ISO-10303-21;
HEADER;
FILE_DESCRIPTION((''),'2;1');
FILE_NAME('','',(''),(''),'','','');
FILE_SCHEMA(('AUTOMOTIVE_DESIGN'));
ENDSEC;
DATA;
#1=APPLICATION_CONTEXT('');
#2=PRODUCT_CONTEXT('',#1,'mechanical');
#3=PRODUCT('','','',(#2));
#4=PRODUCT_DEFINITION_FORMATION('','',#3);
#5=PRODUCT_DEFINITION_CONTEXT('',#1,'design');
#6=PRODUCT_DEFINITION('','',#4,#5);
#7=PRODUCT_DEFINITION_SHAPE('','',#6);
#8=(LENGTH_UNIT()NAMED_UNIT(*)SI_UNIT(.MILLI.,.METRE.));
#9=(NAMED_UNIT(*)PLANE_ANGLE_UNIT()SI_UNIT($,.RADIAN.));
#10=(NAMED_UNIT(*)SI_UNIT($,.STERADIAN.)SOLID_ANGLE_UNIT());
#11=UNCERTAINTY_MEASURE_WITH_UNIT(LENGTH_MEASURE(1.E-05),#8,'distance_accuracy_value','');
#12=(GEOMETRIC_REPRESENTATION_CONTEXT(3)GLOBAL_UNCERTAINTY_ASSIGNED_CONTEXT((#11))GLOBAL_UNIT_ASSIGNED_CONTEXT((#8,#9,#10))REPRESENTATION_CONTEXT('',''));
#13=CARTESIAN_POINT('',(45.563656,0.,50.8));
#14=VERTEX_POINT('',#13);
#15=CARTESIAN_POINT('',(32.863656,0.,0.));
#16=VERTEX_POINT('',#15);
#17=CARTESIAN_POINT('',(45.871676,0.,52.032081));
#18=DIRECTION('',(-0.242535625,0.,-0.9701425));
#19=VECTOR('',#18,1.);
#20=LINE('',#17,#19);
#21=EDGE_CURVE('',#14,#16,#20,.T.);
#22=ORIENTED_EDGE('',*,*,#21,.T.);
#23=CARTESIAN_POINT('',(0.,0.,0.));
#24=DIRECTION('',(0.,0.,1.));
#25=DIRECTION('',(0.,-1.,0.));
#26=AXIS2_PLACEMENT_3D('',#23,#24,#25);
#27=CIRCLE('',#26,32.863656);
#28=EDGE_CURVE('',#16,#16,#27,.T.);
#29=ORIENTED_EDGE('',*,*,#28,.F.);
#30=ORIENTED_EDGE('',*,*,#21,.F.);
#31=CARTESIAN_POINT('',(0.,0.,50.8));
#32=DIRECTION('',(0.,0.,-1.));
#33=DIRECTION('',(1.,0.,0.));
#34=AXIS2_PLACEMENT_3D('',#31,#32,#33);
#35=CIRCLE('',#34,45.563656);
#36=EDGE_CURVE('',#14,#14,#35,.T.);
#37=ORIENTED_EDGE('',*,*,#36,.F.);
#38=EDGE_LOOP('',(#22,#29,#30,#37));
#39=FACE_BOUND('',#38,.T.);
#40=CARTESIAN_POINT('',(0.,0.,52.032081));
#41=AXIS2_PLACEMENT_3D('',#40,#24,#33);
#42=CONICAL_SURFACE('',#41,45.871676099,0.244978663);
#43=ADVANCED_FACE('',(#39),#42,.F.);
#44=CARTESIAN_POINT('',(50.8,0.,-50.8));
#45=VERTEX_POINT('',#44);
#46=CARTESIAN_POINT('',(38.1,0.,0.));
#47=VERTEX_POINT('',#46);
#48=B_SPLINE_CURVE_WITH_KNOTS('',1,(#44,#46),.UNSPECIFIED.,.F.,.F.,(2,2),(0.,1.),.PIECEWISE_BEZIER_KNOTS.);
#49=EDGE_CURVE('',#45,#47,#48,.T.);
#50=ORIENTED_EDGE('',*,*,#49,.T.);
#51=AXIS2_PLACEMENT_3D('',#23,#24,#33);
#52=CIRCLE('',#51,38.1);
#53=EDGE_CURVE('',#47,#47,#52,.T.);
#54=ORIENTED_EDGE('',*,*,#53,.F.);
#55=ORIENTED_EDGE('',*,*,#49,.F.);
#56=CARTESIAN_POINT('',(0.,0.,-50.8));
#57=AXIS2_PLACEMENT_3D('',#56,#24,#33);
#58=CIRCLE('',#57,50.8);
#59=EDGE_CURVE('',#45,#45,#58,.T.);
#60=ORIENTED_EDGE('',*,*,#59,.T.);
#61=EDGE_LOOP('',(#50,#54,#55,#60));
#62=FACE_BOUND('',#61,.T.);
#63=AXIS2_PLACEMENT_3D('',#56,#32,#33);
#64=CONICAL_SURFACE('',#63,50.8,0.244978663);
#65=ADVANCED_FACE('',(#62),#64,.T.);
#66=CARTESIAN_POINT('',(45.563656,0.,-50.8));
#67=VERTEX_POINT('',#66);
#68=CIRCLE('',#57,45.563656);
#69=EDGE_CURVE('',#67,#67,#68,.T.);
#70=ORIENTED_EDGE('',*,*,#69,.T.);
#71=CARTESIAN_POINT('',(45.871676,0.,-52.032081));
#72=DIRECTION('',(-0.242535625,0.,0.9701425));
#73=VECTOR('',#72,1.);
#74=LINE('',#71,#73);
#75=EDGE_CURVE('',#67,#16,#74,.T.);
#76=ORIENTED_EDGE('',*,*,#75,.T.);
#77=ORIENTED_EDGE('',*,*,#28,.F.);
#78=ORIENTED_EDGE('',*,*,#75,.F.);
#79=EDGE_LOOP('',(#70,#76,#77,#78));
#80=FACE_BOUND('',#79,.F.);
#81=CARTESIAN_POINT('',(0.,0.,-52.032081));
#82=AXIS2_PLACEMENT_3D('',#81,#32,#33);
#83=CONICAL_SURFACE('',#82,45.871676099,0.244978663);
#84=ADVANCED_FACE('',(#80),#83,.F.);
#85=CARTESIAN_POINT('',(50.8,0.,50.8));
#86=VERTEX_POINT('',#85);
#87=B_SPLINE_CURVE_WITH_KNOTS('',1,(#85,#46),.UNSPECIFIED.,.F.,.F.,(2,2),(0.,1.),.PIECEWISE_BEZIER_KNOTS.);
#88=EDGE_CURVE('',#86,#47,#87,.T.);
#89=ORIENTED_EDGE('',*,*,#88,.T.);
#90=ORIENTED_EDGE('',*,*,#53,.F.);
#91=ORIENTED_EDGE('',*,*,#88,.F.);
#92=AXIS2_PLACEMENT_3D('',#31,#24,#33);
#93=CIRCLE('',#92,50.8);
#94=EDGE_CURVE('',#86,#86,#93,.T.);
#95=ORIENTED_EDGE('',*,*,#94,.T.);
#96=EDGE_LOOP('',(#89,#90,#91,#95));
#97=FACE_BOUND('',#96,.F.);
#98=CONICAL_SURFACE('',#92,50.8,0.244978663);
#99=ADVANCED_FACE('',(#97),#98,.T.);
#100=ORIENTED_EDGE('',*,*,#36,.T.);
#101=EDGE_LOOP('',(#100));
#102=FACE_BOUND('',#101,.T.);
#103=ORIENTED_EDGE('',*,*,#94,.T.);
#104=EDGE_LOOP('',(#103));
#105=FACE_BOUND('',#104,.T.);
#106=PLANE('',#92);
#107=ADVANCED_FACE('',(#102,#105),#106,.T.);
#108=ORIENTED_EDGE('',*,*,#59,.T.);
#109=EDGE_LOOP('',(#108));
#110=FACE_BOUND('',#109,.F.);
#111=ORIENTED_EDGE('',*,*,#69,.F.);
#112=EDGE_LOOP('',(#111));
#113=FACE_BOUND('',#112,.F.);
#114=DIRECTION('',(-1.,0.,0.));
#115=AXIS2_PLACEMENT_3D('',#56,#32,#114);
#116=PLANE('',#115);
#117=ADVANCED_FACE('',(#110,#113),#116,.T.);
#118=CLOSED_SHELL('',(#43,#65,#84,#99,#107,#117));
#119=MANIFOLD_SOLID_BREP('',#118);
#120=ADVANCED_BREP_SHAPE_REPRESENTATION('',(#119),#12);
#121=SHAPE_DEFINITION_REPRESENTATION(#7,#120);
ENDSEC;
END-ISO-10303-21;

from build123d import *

# Parameters (mm, degrees)
F2_R = 50.8
F0_R = 38.1
F5_T = -5.08


with BuildPart() as f3:
    # F2 (on offset) → F3 section 0
    with BuildSketch(Plane.XY.offset(50.8)):
        Circle(F2_R)
    # F0 (on Top) → F3 section 1
    with BuildSketch(Plane.XY):
        Circle(F0_R)
    loft()

    # F4: F3 across plane


with BuildPart() as f3_1:
    add(f3.part)
    add(f3.part.mirror(Plane.XY))

    # F5
    f5_openings = [f3_1.faces().sort_by_distance(p)[0] for p in [
        (0, 0, -50.8),
        (0, 0, 50.8),
    ]]
    offset(amount=F5_T, openings=f5_openings, kind=Kind.INTERSECTION)


solid = f3_1.part
